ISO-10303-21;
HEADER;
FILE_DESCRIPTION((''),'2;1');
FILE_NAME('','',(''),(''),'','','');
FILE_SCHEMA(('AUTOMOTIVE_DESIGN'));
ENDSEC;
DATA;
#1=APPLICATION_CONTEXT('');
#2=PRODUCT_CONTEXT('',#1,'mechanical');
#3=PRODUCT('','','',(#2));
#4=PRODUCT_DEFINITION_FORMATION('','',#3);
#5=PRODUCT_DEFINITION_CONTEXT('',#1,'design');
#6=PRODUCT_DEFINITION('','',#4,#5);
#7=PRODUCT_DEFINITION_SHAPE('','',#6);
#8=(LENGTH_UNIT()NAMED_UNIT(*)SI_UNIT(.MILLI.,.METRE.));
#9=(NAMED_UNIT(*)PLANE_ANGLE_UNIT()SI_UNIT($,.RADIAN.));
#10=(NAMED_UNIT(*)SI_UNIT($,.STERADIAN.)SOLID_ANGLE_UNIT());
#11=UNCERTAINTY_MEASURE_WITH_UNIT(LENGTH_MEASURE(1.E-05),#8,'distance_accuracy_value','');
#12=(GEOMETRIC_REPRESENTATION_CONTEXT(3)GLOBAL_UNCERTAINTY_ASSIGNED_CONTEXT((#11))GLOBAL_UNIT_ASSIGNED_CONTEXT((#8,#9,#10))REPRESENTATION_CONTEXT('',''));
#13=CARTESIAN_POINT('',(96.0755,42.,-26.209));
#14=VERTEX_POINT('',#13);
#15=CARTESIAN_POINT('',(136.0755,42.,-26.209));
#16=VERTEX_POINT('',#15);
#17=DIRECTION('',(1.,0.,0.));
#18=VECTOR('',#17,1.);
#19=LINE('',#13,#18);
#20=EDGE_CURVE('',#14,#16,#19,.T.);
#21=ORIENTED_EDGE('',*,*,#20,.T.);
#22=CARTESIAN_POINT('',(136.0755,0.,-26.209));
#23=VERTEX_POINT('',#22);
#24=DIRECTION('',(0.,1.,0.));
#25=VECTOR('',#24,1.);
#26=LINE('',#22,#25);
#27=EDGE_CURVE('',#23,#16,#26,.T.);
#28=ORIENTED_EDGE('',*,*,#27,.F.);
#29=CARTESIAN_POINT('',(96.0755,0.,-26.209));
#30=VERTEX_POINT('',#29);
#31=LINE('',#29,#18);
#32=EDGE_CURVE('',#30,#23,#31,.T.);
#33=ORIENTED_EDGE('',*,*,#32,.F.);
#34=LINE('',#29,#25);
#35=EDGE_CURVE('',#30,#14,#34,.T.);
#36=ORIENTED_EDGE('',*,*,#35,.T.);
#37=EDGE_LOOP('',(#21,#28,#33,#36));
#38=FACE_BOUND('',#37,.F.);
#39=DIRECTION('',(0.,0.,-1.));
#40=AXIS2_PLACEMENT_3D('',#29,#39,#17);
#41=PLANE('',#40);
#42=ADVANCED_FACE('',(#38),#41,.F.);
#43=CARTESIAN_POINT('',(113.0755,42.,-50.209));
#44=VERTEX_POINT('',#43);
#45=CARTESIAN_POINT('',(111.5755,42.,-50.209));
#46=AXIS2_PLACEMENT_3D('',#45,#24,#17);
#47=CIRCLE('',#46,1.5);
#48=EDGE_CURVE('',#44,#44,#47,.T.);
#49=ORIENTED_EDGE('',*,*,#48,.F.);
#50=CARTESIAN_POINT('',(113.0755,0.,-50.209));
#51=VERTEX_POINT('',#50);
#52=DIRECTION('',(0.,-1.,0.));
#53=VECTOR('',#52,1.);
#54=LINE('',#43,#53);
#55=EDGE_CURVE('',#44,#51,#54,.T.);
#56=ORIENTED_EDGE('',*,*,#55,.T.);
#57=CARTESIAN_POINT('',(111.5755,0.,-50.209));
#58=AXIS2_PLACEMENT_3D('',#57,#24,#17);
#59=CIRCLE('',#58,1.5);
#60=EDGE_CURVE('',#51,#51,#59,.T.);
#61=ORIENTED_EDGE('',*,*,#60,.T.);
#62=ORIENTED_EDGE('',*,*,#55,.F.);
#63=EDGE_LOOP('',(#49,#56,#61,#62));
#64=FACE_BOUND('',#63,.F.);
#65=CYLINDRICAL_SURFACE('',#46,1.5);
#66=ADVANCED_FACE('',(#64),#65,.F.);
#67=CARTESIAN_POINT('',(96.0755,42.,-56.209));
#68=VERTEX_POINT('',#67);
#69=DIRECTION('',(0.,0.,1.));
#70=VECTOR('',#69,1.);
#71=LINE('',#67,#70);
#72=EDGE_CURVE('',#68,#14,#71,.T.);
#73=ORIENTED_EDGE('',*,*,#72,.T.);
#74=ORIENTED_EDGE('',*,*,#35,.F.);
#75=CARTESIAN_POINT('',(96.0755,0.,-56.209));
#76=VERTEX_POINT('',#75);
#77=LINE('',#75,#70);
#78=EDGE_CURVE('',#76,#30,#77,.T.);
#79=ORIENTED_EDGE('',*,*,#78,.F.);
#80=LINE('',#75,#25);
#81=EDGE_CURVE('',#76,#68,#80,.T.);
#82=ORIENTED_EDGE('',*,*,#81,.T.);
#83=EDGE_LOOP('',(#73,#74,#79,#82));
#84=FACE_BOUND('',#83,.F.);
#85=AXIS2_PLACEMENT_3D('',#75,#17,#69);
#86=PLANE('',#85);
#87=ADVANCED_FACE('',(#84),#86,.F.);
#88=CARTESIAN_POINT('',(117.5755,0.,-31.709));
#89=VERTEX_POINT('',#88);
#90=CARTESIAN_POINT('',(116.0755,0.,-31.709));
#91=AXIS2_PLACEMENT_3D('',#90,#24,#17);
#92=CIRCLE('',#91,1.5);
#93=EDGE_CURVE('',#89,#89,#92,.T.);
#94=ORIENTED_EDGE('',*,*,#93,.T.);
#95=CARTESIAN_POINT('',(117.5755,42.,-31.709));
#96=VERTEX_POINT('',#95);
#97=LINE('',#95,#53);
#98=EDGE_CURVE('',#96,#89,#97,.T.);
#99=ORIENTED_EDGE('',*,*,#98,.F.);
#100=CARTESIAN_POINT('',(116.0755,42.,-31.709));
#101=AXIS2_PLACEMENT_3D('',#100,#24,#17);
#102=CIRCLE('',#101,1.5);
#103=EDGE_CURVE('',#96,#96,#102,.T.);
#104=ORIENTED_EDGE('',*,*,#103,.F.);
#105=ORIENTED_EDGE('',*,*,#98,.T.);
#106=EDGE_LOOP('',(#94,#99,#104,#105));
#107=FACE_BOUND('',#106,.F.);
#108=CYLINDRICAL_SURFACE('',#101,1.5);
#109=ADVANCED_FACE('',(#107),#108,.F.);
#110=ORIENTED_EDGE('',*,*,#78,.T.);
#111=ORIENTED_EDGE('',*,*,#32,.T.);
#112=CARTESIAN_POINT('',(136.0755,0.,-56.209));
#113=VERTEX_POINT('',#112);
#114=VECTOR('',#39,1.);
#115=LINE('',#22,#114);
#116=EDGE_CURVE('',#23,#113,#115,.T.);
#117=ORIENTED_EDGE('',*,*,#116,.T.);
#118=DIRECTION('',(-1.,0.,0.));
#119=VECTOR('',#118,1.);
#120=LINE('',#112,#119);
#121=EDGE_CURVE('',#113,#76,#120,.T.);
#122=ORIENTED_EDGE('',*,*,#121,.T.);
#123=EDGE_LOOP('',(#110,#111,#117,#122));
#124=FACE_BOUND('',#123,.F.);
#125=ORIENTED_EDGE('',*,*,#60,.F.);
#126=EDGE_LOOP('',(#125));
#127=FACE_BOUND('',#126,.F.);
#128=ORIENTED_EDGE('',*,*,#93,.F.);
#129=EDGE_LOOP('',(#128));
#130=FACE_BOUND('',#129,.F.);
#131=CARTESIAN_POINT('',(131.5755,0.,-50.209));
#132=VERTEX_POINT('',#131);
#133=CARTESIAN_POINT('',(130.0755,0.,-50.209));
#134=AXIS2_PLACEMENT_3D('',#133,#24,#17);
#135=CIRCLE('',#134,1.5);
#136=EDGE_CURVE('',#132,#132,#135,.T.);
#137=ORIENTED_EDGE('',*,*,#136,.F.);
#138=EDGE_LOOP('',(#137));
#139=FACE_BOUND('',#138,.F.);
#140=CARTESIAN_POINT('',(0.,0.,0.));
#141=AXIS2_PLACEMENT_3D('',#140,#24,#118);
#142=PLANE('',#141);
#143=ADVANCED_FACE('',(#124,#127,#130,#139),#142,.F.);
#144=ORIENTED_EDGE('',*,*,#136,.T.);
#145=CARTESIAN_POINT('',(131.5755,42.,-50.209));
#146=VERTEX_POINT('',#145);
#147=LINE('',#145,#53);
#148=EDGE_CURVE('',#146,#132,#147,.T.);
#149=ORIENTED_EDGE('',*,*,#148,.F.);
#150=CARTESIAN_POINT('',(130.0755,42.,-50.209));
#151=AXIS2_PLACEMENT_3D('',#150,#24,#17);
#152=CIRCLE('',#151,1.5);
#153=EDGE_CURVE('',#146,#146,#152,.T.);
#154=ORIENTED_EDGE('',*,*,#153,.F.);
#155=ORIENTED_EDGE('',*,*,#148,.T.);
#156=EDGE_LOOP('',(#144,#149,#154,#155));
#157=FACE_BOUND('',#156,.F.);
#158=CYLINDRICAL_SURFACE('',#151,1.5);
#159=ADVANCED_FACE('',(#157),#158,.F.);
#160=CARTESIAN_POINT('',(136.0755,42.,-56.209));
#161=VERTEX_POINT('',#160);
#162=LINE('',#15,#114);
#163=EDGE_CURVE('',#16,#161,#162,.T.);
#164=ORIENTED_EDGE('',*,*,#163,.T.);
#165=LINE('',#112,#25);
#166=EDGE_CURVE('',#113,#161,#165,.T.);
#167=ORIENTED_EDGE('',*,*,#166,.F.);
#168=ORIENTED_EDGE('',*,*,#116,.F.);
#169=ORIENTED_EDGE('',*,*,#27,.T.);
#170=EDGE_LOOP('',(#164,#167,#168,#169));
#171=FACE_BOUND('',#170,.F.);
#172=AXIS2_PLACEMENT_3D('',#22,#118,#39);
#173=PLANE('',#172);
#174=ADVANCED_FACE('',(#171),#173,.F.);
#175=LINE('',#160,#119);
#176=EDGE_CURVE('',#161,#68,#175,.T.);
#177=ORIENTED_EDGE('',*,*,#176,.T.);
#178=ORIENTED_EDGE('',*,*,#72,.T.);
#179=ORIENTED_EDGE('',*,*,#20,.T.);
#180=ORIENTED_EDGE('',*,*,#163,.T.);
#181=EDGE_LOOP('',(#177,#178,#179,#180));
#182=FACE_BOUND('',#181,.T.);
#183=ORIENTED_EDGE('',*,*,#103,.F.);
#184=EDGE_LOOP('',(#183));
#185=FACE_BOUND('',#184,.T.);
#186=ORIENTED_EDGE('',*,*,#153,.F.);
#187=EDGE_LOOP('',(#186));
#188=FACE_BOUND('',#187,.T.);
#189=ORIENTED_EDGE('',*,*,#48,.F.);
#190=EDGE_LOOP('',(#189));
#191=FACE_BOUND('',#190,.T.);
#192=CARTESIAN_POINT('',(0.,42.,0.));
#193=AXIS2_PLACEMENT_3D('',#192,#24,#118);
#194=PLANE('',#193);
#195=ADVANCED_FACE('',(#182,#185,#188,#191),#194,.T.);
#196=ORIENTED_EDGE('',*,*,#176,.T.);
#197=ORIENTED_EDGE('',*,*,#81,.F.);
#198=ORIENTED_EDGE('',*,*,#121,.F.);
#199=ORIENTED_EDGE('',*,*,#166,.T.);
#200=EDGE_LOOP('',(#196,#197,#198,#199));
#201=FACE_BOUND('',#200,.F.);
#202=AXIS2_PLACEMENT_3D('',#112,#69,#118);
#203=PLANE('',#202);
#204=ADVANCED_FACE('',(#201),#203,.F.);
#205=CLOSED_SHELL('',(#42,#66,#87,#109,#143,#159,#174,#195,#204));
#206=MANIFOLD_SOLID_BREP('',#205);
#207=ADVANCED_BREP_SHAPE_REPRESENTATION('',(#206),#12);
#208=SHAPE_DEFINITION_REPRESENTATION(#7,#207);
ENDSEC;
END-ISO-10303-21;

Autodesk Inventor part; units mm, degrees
ref_plane "YZ Plane" through (0, 0, 0) normal (1, 0, 0) x (0, 1, 0)
ref_plane "XZ Plane" through (0, 0, 0) normal (0, 1, 0) x (-1, 0, 0)
ref_plane "XY Plane" through (0, 0, 0) normal (0, 0, 1) x (1, 0, 0)
sketch "Skizze1" plane through (0, 0, 0) normal (0, 1, 0) x (-1, 0, 0)
  line L0 (-96.0755, -26.209) -> (-136.0755, -26.209)
  line L1 (-136.0755, -26.209) -> (-136.0755, -56.209)
  line L2 (-136.0755, -56.209) -> (-96.0755, -56.209)
  line L3 (-96.0755, -56.209) -> (-96.0755, -26.209)
  point P0 (0, 0)
  dimension "d0" = 40
  dimension "d1" = 30
extrude "Extrusion1" add sketch "Skizze1" along normal blind 42
sketch "Skizze2" plane through (96.0755, 0, -26.209) normal (0, 0, 1) x (1, 0, 0)
  point P0 (-96.0755, 0)
sketch "Skizze3" plane through (0, 42, 0) normal (0, 1, 0) x (1, 0, 0)
  circle A0 centre (130.0755, 50.209) radius 1.5
  circle A1 centre (111.5755, 50.209) radius 1.5
  circle A2 centre (116.0755, 31.709) radius 1.5
  line L0 (136.0755, 56.209) -> (96.0755, 56.209) projected
  line L1 (136.0755, 26.209) -> (136.0755, 56.209) projected
  point P0 (0, 0)
  dimension "d4" = 3
  dimension "d5" = 3
  dimension "d6" = 3
  dimension "d7" = 6
  dimension "d8" = 6
  dimension "d9" = 6
  dimension "d10" = 18.5
  dimension "d11" = 18.5
  dimension "d12" = 20
extrude "Extrusion2" cut sketch "Skizze3" against normal through all
properties part number "01_Coolingblock"
